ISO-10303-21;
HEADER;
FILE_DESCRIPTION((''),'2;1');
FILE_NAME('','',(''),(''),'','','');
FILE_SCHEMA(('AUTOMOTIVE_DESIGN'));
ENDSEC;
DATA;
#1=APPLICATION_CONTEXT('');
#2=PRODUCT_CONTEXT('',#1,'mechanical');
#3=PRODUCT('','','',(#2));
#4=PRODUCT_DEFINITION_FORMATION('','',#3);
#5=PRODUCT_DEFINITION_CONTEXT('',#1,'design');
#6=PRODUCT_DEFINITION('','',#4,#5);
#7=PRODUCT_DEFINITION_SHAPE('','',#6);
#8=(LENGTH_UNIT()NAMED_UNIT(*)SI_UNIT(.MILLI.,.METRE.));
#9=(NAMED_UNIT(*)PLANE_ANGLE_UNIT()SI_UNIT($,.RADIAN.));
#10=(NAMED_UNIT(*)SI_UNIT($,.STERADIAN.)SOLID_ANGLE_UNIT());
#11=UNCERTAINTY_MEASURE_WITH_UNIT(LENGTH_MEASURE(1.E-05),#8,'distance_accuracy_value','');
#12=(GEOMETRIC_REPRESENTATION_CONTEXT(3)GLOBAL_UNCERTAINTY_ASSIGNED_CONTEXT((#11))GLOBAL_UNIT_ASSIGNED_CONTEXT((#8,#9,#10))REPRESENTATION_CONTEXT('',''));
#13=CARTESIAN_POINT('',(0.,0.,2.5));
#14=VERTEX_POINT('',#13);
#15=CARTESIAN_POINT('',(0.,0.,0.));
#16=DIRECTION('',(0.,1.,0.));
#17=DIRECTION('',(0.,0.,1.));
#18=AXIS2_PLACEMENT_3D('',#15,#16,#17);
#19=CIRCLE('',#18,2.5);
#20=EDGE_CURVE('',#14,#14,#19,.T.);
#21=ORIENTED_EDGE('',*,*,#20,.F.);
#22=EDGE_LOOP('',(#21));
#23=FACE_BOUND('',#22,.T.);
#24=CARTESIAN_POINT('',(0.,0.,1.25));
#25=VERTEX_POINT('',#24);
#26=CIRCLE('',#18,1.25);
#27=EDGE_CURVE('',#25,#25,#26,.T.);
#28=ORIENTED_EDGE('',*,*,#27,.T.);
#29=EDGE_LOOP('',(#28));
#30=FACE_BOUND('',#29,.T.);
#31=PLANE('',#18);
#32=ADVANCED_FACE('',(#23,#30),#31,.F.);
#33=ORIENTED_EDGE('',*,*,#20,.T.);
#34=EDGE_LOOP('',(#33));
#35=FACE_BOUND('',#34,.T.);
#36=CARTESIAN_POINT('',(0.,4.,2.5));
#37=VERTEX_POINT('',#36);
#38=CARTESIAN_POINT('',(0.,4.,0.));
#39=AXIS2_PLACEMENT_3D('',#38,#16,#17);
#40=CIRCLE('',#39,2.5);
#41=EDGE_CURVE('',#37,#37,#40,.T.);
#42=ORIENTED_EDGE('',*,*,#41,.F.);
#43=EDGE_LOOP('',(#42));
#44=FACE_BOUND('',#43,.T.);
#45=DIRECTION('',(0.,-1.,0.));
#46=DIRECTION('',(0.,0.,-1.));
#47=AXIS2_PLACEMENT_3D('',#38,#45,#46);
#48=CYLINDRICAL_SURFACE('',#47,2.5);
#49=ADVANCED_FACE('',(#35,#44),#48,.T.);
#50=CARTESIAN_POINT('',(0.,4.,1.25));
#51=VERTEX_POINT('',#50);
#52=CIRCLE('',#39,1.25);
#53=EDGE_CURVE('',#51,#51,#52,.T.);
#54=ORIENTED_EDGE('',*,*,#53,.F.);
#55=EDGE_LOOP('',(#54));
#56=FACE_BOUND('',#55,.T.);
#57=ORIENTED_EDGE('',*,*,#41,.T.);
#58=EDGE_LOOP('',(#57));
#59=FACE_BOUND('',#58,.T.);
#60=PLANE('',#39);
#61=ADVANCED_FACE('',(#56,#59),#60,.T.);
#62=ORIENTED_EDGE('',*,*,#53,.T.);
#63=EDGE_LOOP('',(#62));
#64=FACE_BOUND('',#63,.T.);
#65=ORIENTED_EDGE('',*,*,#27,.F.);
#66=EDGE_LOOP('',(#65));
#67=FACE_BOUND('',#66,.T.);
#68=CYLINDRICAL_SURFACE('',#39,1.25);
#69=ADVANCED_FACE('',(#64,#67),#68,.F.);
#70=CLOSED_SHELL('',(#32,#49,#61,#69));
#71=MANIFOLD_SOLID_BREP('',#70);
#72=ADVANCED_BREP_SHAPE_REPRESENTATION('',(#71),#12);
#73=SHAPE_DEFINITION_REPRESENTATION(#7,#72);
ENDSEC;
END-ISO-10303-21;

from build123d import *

# Parameters (mm, degrees)
SKETCH1_R             = 2.5
BOSS_EXTRUDE1_DEPTH   = 4
M3X0_5_TAPPED_HOLE1_D = 2.5


with BuildPart() as part:
    # Sketch1 → Boss-Extrude1 (new body)
    with BuildSketch(Plane(origin=(0, 0, 0), x_dir=(1, 0, 0), z_dir=(0, 1, 0))):
        with Locations(Location((0, 0, 0), (0, 0, 270))):
            Circle(SKETCH1_R)
    extrude(amount=BOSS_EXTRUDE1_DEPTH)

    # M3x0.5 Tapped Hole1 (through all)
    with Locations(Plane(origin=(0, 4, 0), x_dir=(1, 0, 0), z_dir=(0, 1, 0))):
        with Locations((0, 0)):
            Hole(M3X0_5_TAPPED_HOLE1_D / 2)


solid = part.part
